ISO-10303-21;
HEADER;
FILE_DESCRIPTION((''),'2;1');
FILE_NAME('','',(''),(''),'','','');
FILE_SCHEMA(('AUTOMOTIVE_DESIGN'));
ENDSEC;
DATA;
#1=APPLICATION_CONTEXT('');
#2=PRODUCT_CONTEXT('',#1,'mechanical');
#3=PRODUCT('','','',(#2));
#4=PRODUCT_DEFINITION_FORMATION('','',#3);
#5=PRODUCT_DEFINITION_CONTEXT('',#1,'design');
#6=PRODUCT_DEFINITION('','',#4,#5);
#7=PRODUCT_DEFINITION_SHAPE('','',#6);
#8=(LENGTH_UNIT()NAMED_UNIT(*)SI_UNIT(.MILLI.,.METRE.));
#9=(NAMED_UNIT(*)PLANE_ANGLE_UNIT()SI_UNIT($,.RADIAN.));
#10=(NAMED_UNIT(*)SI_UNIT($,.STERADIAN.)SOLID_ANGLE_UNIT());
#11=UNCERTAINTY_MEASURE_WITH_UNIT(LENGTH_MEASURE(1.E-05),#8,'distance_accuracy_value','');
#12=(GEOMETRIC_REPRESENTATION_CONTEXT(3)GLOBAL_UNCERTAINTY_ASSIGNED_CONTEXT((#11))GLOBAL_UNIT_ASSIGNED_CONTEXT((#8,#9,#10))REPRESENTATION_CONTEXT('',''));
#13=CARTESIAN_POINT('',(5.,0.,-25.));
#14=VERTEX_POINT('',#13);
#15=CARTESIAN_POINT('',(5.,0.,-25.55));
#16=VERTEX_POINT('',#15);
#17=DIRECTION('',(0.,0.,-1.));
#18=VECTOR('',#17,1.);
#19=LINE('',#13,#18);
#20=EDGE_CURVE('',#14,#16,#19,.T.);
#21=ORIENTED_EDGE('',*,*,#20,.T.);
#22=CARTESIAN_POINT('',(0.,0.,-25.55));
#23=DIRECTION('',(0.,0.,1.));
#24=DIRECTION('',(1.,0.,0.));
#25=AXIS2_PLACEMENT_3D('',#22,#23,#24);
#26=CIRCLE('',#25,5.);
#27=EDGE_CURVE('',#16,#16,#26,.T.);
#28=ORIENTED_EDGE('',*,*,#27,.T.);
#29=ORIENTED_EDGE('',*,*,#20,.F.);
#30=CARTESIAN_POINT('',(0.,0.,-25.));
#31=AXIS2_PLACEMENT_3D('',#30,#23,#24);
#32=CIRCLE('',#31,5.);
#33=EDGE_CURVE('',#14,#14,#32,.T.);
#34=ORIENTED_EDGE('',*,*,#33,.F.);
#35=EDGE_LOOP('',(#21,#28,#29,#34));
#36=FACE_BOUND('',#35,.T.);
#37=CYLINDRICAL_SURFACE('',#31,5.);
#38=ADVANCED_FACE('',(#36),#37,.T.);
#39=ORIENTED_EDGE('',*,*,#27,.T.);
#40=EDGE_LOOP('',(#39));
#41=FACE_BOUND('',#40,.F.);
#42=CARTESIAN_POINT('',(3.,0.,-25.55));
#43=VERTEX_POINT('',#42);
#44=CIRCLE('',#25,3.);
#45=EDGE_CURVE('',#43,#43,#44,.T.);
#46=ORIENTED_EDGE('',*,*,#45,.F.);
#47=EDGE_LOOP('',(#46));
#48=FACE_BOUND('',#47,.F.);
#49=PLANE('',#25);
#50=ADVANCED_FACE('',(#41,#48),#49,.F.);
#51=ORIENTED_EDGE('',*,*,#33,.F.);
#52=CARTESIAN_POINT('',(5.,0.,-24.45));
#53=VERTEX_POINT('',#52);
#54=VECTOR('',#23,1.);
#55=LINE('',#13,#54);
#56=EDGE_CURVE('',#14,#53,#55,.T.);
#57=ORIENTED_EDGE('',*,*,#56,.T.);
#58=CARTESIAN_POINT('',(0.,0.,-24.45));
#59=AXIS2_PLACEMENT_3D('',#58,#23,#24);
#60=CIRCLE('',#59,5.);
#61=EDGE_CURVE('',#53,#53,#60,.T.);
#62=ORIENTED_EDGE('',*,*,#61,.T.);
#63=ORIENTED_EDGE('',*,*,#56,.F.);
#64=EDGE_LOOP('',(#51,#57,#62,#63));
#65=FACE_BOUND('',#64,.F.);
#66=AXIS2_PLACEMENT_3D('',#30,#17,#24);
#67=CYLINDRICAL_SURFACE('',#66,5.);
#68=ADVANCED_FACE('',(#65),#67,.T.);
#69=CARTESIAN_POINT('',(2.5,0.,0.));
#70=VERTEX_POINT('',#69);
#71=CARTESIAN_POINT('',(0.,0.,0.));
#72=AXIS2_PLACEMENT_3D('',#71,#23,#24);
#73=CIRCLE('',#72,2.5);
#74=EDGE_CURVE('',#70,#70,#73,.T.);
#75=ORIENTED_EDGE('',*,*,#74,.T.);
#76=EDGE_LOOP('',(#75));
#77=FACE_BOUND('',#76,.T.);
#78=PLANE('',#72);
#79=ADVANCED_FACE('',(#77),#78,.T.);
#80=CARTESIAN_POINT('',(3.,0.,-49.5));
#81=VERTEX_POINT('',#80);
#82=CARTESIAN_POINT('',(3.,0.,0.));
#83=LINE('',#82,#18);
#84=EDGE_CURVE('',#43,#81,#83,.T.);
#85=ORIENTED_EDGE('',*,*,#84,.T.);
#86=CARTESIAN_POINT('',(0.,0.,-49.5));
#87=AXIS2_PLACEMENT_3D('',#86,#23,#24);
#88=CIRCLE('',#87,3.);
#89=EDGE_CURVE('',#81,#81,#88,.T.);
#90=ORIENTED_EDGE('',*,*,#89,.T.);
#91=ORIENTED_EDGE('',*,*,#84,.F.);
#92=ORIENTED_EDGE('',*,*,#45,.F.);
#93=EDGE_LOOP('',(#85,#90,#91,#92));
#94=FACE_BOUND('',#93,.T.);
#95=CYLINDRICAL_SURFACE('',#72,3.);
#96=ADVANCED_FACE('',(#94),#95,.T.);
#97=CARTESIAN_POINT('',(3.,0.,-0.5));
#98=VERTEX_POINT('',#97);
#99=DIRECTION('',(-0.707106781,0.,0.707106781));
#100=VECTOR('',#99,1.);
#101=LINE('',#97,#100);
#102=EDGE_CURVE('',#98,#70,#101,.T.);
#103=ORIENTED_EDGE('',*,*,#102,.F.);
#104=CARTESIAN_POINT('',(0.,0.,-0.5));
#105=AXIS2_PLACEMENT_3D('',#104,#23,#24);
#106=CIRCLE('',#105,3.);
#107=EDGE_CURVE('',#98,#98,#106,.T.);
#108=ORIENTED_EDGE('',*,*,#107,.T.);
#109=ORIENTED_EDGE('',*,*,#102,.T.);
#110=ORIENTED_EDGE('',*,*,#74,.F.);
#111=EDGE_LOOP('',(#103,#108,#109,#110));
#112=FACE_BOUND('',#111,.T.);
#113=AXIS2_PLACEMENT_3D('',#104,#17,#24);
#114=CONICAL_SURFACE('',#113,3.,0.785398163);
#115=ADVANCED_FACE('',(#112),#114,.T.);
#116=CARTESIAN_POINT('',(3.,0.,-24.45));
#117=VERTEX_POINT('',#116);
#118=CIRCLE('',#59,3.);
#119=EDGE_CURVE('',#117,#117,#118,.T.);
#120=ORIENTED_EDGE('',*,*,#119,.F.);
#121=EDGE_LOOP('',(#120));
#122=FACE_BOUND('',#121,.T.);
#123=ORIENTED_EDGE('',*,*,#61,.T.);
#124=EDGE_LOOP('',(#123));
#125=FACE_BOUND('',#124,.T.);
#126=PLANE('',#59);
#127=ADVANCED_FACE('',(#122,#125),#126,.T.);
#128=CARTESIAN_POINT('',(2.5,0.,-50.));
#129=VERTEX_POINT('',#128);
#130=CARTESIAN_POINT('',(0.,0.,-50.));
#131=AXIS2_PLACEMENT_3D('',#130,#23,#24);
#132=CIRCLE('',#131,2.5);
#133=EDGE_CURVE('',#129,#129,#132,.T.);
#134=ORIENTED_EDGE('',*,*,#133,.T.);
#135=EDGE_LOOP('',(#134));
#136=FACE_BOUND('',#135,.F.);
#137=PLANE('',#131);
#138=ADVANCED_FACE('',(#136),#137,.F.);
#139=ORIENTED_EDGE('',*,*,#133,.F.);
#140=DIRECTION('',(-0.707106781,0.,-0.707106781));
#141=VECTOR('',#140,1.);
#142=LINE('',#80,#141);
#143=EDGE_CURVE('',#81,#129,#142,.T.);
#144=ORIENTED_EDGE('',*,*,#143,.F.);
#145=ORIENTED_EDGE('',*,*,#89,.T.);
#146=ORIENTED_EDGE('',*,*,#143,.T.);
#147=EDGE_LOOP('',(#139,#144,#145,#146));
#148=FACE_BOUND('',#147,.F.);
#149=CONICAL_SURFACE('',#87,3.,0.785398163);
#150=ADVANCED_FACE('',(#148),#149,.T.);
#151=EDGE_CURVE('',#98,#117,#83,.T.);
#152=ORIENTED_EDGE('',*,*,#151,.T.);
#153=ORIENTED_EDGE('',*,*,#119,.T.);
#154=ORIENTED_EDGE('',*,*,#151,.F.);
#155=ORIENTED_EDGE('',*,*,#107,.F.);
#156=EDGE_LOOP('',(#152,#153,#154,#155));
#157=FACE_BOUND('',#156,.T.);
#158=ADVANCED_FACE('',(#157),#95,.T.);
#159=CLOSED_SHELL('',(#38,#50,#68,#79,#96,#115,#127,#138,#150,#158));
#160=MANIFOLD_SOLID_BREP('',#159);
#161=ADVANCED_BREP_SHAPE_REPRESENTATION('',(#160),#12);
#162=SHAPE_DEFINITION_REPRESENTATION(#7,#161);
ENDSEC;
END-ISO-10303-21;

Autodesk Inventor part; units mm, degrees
ref_plane "YZ Plane" through (0, 0, 0) normal (1, 0, 0) x (0, 1, 0)
ref_plane "XZ Plane" through (0, 0, 0) normal (0, 1, 0) x (-1, 0, 0)
ref_plane "XY Plane" through (0, 0, 0) normal (0, 0, 1) x (1, 0, 0)
sketch "Sketch1" plane through (0, 0, 0) normal (0, 0, 1) x (1, 0, 0)
  circle A0 centre (0, 0) radius 3
  dimension "d0" = 6
extrude "Extrusion1" add sketch "Sketch1" against normal blind 50
ref_plane "Work Plane1" through (0, 0, -25) normal (0, 0, 1) x (1, 0, 0)
sketch "Sketch2" plane through (0, 0, -25) normal (0, 0, 1) x (1, 0, 0)
  circle A0 centre (0, 0) radius 3 projected
  circle A1 centre (0, 0) radius 3 projected
  circle A2 centre (0, 0) radius 5
  dimension "d3" = 10
extrude "Extrusion2" add sketch "Sketch2" along normal mid plane 1.1
chamfer "Chamfer1" distance 0.5 angle 45 2 edges at (-3, 0, 0) (-3, 0, -50)
properties part number "23-225Z2" material "Stainless Steel"
